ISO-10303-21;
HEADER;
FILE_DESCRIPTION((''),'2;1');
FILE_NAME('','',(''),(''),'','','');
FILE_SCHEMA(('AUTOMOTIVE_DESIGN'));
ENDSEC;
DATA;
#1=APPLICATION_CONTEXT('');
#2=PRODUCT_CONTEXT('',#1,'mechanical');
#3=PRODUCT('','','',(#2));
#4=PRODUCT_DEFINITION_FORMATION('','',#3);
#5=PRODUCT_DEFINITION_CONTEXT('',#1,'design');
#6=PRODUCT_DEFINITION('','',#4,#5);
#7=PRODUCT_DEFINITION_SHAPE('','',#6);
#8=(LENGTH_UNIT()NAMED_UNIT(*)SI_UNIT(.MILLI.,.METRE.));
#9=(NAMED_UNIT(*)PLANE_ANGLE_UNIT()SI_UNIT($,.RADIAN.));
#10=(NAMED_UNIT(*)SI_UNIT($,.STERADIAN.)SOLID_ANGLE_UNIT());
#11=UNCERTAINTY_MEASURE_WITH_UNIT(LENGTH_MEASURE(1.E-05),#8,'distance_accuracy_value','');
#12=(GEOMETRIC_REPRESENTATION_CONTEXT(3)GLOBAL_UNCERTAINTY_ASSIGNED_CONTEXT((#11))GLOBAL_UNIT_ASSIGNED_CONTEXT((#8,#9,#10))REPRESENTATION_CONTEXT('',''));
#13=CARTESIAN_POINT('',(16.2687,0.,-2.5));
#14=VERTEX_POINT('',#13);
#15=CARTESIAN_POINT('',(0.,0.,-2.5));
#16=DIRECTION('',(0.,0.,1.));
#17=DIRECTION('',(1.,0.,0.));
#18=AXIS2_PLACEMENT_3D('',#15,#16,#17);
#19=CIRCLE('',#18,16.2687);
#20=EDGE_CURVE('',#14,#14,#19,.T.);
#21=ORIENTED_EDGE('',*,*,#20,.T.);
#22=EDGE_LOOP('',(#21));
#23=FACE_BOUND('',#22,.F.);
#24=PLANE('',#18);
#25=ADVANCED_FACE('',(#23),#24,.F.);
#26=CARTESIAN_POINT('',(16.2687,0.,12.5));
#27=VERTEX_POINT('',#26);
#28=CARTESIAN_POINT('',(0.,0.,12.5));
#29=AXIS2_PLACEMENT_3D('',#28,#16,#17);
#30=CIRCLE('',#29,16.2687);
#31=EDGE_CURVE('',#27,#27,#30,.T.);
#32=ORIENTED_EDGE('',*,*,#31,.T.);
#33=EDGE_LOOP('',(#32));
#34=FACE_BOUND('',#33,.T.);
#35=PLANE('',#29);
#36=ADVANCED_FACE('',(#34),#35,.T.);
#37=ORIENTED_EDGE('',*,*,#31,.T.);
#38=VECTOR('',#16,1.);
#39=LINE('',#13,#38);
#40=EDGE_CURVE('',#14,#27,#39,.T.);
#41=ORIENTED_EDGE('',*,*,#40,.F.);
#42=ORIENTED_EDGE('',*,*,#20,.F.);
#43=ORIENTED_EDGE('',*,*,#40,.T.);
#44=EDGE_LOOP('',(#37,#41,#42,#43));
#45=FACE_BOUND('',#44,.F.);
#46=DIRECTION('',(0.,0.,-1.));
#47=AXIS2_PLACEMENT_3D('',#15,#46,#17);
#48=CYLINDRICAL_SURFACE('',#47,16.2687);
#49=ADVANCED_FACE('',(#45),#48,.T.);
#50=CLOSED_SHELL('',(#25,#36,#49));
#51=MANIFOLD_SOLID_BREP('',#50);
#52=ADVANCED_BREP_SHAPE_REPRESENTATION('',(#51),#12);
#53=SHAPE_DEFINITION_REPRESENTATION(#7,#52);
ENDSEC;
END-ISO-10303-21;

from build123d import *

# Parameters (mm, degrees)
CYLINDER_R     = 16.2687
CYLINDER_DEPTH = 15


with BuildPart() as part:
    # Cylinder → Cylinder (new body)
    with BuildSketch(Plane.XY.offset(-2.5)):
        Circle(CYLINDER_R)
    extrude(amount=CYLINDER_DEPTH)


solid = part.part
